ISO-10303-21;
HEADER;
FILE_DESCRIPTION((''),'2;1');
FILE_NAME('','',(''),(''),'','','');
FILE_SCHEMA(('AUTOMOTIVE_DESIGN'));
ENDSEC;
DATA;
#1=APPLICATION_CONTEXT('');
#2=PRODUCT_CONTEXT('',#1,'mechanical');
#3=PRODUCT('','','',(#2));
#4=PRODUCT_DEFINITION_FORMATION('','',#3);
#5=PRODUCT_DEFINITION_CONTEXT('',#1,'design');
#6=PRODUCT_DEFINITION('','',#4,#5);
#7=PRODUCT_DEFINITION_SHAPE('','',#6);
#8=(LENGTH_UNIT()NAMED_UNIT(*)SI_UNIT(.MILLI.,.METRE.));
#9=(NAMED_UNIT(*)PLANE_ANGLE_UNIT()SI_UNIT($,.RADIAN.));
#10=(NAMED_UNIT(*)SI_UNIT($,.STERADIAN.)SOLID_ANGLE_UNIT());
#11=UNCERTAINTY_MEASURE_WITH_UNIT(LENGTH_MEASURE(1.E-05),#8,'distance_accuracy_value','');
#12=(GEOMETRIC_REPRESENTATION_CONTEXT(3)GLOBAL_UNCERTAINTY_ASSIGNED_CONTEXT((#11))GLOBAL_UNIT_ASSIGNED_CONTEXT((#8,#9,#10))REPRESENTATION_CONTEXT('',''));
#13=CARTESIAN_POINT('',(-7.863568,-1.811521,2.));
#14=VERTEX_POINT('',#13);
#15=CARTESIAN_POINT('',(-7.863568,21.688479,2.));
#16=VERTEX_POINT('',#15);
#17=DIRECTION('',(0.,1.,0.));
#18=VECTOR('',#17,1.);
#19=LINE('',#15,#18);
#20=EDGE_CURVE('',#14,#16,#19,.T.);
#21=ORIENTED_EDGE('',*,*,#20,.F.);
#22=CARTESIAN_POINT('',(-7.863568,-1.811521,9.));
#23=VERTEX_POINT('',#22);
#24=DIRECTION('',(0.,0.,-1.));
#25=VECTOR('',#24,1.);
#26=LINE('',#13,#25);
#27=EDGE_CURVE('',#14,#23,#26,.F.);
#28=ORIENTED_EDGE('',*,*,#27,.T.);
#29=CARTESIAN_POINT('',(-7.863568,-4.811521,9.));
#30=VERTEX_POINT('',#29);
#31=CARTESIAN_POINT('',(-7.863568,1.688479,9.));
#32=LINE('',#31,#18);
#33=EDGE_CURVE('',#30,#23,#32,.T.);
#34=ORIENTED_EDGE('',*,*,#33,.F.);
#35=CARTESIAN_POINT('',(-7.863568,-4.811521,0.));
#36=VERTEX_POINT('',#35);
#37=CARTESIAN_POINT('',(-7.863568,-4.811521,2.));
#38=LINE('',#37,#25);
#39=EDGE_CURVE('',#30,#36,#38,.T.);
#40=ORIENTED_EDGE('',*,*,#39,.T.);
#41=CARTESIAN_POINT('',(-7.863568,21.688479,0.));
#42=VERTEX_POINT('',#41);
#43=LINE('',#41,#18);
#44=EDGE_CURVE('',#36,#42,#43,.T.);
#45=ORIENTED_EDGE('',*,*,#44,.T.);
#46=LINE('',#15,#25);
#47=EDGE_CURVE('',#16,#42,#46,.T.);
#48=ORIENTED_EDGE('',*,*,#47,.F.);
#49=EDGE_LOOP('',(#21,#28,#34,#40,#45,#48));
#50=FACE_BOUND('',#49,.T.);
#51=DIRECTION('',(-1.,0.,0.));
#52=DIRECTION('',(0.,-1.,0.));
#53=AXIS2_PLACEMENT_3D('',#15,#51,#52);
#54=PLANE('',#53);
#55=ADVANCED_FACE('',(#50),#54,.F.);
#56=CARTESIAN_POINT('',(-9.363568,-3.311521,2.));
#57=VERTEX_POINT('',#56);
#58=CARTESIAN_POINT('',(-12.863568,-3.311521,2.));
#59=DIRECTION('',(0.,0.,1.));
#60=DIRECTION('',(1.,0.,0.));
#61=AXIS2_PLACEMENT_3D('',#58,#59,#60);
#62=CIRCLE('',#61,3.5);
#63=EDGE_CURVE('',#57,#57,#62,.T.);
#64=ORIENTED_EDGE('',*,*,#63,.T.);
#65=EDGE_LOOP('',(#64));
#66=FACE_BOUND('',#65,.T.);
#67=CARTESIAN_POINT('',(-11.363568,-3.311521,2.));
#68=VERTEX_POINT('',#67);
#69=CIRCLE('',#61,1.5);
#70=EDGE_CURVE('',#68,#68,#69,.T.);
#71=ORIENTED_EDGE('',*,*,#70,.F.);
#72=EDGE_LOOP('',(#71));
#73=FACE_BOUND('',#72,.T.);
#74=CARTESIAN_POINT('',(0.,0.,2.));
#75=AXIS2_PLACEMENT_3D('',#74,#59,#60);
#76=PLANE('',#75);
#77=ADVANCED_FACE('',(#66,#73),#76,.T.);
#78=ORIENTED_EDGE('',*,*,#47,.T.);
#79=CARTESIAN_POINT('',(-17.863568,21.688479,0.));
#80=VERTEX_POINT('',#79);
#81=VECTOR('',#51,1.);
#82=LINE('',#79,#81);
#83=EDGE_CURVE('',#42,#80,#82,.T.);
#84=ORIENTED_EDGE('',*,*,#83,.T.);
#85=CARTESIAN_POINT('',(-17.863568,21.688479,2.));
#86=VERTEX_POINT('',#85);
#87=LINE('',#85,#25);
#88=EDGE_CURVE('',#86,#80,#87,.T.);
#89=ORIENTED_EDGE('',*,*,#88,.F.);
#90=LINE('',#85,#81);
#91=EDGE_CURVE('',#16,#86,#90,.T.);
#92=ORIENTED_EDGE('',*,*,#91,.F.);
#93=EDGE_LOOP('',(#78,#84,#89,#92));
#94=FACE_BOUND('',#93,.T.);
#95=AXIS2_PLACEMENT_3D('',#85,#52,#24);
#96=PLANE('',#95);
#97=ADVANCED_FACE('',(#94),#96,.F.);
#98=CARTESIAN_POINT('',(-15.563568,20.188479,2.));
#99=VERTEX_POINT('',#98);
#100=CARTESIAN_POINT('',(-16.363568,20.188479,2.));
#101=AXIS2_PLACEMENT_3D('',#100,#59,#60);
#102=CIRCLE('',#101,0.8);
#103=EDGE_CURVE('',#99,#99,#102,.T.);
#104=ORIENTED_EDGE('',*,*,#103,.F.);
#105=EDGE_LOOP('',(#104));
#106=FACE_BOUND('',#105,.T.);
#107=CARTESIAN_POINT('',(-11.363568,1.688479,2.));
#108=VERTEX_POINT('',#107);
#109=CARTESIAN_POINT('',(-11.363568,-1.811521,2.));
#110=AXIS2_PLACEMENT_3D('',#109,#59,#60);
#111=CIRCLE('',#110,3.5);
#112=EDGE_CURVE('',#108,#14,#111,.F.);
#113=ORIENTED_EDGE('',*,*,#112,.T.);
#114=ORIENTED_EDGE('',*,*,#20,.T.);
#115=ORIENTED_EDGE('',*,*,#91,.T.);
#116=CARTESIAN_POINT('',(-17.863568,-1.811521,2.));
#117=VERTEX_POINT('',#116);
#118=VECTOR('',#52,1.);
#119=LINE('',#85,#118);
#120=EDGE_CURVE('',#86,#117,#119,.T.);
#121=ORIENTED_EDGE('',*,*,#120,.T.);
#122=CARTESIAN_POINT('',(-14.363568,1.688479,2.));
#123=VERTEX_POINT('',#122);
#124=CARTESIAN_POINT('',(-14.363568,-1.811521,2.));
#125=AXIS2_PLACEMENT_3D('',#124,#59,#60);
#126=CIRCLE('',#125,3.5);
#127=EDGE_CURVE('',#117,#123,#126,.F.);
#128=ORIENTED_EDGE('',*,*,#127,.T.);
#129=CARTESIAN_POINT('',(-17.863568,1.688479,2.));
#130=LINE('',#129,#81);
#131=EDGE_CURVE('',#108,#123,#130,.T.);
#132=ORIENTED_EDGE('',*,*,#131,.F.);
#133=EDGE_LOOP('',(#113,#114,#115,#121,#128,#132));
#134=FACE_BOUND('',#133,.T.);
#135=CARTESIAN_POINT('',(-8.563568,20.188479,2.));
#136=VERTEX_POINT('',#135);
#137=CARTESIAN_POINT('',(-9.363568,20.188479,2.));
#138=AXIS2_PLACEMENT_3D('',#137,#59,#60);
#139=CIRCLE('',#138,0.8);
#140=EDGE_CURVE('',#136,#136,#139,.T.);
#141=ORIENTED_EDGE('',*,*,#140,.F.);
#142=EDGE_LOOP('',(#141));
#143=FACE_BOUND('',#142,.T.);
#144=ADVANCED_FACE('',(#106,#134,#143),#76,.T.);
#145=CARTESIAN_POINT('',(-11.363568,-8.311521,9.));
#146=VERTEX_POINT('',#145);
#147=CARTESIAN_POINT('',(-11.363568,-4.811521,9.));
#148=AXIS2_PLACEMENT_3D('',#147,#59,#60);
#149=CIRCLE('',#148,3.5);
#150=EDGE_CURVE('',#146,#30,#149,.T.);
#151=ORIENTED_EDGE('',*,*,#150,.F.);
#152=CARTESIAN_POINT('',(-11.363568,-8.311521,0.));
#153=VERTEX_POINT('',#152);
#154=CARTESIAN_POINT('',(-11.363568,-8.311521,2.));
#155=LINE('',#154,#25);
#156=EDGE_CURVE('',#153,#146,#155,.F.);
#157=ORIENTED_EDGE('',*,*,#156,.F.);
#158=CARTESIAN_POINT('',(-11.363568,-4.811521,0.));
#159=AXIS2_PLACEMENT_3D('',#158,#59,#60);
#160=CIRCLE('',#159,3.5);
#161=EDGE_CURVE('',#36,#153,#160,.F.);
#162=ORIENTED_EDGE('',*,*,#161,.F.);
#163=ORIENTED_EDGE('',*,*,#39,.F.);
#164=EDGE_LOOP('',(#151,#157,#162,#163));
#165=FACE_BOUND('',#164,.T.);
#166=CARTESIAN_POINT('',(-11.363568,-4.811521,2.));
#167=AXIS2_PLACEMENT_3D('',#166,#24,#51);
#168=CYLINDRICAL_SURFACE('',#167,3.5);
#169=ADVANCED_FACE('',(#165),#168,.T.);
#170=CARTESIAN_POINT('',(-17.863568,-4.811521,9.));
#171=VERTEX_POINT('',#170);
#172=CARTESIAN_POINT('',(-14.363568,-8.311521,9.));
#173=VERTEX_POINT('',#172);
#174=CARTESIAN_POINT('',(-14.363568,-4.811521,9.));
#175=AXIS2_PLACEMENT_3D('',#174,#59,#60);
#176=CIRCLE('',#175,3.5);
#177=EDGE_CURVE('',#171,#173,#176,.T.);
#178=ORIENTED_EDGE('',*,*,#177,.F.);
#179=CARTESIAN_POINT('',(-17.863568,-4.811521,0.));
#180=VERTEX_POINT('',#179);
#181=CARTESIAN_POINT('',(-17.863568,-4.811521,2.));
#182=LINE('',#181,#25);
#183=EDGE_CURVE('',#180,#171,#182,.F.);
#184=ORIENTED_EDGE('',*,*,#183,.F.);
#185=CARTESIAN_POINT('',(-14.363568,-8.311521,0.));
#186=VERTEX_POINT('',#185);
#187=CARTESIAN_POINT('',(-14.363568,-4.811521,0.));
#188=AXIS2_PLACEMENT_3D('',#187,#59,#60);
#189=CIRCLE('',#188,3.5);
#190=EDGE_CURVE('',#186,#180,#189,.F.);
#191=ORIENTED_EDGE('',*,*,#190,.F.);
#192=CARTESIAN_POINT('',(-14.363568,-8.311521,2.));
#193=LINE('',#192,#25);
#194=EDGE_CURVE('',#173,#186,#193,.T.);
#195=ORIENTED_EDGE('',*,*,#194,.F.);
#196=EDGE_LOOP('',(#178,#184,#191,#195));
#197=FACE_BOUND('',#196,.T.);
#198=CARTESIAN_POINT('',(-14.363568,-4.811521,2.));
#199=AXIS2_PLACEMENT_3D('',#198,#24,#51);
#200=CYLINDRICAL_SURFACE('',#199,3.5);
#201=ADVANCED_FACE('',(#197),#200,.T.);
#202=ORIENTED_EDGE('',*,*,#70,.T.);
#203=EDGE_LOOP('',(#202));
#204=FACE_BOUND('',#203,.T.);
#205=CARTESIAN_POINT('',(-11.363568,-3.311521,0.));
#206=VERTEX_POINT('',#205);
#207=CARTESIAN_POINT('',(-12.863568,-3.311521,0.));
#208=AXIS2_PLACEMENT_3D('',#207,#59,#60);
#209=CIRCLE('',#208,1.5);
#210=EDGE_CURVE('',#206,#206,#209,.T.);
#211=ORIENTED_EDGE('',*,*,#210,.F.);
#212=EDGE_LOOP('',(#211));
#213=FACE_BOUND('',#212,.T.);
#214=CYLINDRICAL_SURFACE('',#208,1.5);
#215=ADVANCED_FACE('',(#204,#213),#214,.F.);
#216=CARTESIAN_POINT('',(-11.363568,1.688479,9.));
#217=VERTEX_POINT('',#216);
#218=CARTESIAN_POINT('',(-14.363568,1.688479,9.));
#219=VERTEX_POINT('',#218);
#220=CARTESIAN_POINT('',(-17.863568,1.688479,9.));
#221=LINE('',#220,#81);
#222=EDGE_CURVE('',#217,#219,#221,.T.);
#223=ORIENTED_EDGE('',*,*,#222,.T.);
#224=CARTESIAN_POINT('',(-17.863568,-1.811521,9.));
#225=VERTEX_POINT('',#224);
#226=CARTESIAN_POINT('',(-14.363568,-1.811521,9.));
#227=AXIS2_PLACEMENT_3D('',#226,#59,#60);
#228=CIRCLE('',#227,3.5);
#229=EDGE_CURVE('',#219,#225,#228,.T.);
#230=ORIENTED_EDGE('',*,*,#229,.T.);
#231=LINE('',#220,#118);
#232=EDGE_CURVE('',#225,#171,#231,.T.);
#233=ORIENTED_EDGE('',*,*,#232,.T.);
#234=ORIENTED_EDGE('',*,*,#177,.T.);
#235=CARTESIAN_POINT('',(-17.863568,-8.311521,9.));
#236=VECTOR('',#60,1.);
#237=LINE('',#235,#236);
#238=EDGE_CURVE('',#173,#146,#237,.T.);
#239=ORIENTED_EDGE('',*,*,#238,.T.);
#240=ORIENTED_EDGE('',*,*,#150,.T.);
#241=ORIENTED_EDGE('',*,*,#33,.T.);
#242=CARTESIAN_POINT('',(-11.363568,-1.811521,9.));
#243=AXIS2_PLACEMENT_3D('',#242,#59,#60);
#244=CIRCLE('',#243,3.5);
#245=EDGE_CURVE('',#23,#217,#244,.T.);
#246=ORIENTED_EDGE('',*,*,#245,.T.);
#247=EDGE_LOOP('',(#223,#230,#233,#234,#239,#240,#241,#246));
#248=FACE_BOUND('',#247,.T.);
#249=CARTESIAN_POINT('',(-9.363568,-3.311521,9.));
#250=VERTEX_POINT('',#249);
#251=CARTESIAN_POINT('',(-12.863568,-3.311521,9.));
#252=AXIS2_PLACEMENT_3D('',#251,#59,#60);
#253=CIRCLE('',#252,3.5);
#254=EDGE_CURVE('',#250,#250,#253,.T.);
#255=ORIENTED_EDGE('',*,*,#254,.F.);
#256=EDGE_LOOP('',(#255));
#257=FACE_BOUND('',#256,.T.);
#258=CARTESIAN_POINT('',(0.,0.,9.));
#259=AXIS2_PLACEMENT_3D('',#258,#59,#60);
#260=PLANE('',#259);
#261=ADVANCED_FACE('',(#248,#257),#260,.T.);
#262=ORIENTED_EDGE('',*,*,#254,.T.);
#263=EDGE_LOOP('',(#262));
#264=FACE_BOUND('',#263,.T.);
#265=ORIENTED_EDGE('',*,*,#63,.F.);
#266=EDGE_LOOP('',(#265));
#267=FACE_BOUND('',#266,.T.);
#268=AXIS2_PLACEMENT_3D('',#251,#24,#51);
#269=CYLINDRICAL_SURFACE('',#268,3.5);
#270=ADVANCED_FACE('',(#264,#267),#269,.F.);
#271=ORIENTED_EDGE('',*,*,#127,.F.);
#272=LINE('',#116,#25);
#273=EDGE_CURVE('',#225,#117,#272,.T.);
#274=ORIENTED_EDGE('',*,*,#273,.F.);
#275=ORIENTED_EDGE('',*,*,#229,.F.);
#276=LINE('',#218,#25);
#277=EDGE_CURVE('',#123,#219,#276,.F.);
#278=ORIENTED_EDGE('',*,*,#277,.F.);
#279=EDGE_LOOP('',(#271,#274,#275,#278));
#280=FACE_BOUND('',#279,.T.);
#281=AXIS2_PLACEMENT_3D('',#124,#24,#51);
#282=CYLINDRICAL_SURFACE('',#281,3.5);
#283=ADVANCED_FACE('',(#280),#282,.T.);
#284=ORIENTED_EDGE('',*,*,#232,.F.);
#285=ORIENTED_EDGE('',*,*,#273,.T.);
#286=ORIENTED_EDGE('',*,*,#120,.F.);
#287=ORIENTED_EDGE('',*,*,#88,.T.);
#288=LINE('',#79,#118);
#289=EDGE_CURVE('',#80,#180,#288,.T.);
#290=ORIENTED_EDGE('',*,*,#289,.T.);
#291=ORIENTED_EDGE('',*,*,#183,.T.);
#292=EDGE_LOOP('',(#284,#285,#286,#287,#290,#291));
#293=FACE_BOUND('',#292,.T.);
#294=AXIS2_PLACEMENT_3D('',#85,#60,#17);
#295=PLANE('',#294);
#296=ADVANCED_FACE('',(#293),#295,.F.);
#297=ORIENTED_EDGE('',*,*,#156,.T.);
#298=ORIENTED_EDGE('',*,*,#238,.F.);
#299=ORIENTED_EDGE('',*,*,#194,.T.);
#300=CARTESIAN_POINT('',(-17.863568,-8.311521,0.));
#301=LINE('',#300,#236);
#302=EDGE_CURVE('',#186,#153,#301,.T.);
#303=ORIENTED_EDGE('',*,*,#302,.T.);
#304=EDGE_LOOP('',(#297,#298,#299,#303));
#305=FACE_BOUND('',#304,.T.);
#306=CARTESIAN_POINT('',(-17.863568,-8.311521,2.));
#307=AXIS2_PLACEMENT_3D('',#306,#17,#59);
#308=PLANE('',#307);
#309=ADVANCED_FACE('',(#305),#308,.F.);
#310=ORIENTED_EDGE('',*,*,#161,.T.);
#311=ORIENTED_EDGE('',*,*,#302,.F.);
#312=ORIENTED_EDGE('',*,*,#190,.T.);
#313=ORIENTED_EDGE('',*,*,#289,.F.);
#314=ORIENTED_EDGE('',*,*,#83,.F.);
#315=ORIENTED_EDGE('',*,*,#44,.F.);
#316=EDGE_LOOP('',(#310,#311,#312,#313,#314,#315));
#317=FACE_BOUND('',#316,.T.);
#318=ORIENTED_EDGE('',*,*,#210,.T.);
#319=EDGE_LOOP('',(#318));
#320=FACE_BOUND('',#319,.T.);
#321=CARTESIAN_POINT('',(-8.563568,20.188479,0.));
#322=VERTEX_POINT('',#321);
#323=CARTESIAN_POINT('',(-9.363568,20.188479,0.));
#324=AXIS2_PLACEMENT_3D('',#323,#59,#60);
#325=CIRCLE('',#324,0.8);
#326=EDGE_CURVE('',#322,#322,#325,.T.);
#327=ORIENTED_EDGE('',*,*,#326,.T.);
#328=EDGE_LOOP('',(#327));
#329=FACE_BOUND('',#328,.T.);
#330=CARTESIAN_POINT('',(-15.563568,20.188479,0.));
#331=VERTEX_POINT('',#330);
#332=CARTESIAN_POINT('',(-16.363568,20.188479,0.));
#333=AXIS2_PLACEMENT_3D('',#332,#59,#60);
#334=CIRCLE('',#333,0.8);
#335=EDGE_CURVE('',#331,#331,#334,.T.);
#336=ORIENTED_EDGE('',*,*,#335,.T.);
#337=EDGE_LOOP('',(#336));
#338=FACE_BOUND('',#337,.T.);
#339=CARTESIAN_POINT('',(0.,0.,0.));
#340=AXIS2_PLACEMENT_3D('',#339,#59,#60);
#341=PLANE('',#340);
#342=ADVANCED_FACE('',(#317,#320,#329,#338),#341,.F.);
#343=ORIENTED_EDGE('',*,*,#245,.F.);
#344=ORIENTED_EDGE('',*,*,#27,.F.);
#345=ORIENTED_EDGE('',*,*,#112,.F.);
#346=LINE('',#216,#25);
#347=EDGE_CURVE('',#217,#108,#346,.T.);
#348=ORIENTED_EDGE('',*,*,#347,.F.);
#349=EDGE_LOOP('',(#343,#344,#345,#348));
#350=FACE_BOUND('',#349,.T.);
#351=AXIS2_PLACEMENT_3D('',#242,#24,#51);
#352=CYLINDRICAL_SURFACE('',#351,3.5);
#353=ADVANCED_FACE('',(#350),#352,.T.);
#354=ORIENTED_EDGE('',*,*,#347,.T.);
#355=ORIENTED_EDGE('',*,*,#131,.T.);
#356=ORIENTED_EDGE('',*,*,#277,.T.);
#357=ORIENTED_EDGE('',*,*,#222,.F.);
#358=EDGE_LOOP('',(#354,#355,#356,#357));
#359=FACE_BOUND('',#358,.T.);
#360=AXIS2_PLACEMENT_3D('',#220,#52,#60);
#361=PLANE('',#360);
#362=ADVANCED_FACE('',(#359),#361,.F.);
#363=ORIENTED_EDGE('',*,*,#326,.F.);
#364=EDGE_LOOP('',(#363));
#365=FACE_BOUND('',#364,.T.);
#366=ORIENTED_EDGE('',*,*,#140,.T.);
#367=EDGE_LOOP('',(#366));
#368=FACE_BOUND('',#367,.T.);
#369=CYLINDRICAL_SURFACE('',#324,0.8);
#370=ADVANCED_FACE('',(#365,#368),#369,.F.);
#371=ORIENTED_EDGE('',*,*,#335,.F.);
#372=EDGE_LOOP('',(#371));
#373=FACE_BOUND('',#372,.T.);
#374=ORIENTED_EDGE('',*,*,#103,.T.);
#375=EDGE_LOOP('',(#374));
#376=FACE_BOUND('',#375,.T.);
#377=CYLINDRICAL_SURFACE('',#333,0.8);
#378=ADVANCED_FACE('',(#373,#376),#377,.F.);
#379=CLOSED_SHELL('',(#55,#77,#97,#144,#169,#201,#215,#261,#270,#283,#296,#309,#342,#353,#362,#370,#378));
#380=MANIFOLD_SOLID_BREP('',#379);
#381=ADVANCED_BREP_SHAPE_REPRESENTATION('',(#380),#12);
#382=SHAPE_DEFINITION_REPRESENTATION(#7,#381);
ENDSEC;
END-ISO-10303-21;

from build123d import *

# Parameters (mm, degrees)
SKETCH1_W           = 10
SKETCH1_H           = 30
BOSS_EXTRUDE1_DEPTH = 2
SKETCH2_W           = 10
SKETCH2_H           = 10
SKETCH2_R           = 3.5
BOSS_EXTRUDE2_DEPTH = 7
SKETCH3_R           = 0.8
CUT_EXTRUDE1_DEPTH  = 2
FILLET1_R           = 3.5
SKETCH4_R           = 1.5
CUT_EXTRUDE2_DEPTH  = 2


with BuildPart() as part:
    # Sketch1 → Boss-Extrude1 (new body)
    with BuildSketch(Plane.XY):
        with Locations((-12.863567867, 6.68847884)):
            Rectangle(SKETCH1_W, SKETCH1_H)
    extrude(amount=BOSS_EXTRUDE1_DEPTH)

    # Sketch2 → Boss-Extrude2 (add)
    with BuildSketch(Plane.XY.offset(2)):
        with Locations((-12.863567867, -3.31152116)):
            Rectangle(SKETCH2_W, SKETCH2_H)
        with Locations((-12.863567867, -3.31152116)):
            Circle(SKETCH2_R, mode=Mode.SUBTRACT)
    extrude(amount=BOSS_EXTRUDE2_DEPTH)

    # Sketch3 → Cut-Extrude1 (cut)
    with BuildSketch(Plane.XY.offset(2)):
        with Locations((-16.363567867, 20.18847884)):
            Circle(SKETCH3_R)
        with Locations((-9.363567867, 20.18847884)):
            Circle(SKETCH3_R)
    extrude(amount=-CUT_EXTRUDE1_DEPTH, mode=Mode.SUBTRACT)

    # Fillet1
    fillet1_edges = [part.edges().sort_by_distance(p)[0] for p in [
        (-7.863567867, -8.31152116, 4.5),
        (-17.863567867, -8.31152116, 4.5),
        (-17.863567867, 1.68847884, 5.5),
        (-7.863567867, 1.68847884, 5.5),
    ]]
    fillet(fillet1_edges, radius=FILLET1_R)

    # Sketch4 → Cut-Extrude2 (cut)
    with BuildSketch(Plane.XY.offset(2)):
        with Locations((-12.863567867, -3.31152116)):
            Circle(SKETCH4_R)
    extrude(amount=-CUT_EXTRUDE2_DEPTH, mode=Mode.SUBTRACT)


solid = part.part
